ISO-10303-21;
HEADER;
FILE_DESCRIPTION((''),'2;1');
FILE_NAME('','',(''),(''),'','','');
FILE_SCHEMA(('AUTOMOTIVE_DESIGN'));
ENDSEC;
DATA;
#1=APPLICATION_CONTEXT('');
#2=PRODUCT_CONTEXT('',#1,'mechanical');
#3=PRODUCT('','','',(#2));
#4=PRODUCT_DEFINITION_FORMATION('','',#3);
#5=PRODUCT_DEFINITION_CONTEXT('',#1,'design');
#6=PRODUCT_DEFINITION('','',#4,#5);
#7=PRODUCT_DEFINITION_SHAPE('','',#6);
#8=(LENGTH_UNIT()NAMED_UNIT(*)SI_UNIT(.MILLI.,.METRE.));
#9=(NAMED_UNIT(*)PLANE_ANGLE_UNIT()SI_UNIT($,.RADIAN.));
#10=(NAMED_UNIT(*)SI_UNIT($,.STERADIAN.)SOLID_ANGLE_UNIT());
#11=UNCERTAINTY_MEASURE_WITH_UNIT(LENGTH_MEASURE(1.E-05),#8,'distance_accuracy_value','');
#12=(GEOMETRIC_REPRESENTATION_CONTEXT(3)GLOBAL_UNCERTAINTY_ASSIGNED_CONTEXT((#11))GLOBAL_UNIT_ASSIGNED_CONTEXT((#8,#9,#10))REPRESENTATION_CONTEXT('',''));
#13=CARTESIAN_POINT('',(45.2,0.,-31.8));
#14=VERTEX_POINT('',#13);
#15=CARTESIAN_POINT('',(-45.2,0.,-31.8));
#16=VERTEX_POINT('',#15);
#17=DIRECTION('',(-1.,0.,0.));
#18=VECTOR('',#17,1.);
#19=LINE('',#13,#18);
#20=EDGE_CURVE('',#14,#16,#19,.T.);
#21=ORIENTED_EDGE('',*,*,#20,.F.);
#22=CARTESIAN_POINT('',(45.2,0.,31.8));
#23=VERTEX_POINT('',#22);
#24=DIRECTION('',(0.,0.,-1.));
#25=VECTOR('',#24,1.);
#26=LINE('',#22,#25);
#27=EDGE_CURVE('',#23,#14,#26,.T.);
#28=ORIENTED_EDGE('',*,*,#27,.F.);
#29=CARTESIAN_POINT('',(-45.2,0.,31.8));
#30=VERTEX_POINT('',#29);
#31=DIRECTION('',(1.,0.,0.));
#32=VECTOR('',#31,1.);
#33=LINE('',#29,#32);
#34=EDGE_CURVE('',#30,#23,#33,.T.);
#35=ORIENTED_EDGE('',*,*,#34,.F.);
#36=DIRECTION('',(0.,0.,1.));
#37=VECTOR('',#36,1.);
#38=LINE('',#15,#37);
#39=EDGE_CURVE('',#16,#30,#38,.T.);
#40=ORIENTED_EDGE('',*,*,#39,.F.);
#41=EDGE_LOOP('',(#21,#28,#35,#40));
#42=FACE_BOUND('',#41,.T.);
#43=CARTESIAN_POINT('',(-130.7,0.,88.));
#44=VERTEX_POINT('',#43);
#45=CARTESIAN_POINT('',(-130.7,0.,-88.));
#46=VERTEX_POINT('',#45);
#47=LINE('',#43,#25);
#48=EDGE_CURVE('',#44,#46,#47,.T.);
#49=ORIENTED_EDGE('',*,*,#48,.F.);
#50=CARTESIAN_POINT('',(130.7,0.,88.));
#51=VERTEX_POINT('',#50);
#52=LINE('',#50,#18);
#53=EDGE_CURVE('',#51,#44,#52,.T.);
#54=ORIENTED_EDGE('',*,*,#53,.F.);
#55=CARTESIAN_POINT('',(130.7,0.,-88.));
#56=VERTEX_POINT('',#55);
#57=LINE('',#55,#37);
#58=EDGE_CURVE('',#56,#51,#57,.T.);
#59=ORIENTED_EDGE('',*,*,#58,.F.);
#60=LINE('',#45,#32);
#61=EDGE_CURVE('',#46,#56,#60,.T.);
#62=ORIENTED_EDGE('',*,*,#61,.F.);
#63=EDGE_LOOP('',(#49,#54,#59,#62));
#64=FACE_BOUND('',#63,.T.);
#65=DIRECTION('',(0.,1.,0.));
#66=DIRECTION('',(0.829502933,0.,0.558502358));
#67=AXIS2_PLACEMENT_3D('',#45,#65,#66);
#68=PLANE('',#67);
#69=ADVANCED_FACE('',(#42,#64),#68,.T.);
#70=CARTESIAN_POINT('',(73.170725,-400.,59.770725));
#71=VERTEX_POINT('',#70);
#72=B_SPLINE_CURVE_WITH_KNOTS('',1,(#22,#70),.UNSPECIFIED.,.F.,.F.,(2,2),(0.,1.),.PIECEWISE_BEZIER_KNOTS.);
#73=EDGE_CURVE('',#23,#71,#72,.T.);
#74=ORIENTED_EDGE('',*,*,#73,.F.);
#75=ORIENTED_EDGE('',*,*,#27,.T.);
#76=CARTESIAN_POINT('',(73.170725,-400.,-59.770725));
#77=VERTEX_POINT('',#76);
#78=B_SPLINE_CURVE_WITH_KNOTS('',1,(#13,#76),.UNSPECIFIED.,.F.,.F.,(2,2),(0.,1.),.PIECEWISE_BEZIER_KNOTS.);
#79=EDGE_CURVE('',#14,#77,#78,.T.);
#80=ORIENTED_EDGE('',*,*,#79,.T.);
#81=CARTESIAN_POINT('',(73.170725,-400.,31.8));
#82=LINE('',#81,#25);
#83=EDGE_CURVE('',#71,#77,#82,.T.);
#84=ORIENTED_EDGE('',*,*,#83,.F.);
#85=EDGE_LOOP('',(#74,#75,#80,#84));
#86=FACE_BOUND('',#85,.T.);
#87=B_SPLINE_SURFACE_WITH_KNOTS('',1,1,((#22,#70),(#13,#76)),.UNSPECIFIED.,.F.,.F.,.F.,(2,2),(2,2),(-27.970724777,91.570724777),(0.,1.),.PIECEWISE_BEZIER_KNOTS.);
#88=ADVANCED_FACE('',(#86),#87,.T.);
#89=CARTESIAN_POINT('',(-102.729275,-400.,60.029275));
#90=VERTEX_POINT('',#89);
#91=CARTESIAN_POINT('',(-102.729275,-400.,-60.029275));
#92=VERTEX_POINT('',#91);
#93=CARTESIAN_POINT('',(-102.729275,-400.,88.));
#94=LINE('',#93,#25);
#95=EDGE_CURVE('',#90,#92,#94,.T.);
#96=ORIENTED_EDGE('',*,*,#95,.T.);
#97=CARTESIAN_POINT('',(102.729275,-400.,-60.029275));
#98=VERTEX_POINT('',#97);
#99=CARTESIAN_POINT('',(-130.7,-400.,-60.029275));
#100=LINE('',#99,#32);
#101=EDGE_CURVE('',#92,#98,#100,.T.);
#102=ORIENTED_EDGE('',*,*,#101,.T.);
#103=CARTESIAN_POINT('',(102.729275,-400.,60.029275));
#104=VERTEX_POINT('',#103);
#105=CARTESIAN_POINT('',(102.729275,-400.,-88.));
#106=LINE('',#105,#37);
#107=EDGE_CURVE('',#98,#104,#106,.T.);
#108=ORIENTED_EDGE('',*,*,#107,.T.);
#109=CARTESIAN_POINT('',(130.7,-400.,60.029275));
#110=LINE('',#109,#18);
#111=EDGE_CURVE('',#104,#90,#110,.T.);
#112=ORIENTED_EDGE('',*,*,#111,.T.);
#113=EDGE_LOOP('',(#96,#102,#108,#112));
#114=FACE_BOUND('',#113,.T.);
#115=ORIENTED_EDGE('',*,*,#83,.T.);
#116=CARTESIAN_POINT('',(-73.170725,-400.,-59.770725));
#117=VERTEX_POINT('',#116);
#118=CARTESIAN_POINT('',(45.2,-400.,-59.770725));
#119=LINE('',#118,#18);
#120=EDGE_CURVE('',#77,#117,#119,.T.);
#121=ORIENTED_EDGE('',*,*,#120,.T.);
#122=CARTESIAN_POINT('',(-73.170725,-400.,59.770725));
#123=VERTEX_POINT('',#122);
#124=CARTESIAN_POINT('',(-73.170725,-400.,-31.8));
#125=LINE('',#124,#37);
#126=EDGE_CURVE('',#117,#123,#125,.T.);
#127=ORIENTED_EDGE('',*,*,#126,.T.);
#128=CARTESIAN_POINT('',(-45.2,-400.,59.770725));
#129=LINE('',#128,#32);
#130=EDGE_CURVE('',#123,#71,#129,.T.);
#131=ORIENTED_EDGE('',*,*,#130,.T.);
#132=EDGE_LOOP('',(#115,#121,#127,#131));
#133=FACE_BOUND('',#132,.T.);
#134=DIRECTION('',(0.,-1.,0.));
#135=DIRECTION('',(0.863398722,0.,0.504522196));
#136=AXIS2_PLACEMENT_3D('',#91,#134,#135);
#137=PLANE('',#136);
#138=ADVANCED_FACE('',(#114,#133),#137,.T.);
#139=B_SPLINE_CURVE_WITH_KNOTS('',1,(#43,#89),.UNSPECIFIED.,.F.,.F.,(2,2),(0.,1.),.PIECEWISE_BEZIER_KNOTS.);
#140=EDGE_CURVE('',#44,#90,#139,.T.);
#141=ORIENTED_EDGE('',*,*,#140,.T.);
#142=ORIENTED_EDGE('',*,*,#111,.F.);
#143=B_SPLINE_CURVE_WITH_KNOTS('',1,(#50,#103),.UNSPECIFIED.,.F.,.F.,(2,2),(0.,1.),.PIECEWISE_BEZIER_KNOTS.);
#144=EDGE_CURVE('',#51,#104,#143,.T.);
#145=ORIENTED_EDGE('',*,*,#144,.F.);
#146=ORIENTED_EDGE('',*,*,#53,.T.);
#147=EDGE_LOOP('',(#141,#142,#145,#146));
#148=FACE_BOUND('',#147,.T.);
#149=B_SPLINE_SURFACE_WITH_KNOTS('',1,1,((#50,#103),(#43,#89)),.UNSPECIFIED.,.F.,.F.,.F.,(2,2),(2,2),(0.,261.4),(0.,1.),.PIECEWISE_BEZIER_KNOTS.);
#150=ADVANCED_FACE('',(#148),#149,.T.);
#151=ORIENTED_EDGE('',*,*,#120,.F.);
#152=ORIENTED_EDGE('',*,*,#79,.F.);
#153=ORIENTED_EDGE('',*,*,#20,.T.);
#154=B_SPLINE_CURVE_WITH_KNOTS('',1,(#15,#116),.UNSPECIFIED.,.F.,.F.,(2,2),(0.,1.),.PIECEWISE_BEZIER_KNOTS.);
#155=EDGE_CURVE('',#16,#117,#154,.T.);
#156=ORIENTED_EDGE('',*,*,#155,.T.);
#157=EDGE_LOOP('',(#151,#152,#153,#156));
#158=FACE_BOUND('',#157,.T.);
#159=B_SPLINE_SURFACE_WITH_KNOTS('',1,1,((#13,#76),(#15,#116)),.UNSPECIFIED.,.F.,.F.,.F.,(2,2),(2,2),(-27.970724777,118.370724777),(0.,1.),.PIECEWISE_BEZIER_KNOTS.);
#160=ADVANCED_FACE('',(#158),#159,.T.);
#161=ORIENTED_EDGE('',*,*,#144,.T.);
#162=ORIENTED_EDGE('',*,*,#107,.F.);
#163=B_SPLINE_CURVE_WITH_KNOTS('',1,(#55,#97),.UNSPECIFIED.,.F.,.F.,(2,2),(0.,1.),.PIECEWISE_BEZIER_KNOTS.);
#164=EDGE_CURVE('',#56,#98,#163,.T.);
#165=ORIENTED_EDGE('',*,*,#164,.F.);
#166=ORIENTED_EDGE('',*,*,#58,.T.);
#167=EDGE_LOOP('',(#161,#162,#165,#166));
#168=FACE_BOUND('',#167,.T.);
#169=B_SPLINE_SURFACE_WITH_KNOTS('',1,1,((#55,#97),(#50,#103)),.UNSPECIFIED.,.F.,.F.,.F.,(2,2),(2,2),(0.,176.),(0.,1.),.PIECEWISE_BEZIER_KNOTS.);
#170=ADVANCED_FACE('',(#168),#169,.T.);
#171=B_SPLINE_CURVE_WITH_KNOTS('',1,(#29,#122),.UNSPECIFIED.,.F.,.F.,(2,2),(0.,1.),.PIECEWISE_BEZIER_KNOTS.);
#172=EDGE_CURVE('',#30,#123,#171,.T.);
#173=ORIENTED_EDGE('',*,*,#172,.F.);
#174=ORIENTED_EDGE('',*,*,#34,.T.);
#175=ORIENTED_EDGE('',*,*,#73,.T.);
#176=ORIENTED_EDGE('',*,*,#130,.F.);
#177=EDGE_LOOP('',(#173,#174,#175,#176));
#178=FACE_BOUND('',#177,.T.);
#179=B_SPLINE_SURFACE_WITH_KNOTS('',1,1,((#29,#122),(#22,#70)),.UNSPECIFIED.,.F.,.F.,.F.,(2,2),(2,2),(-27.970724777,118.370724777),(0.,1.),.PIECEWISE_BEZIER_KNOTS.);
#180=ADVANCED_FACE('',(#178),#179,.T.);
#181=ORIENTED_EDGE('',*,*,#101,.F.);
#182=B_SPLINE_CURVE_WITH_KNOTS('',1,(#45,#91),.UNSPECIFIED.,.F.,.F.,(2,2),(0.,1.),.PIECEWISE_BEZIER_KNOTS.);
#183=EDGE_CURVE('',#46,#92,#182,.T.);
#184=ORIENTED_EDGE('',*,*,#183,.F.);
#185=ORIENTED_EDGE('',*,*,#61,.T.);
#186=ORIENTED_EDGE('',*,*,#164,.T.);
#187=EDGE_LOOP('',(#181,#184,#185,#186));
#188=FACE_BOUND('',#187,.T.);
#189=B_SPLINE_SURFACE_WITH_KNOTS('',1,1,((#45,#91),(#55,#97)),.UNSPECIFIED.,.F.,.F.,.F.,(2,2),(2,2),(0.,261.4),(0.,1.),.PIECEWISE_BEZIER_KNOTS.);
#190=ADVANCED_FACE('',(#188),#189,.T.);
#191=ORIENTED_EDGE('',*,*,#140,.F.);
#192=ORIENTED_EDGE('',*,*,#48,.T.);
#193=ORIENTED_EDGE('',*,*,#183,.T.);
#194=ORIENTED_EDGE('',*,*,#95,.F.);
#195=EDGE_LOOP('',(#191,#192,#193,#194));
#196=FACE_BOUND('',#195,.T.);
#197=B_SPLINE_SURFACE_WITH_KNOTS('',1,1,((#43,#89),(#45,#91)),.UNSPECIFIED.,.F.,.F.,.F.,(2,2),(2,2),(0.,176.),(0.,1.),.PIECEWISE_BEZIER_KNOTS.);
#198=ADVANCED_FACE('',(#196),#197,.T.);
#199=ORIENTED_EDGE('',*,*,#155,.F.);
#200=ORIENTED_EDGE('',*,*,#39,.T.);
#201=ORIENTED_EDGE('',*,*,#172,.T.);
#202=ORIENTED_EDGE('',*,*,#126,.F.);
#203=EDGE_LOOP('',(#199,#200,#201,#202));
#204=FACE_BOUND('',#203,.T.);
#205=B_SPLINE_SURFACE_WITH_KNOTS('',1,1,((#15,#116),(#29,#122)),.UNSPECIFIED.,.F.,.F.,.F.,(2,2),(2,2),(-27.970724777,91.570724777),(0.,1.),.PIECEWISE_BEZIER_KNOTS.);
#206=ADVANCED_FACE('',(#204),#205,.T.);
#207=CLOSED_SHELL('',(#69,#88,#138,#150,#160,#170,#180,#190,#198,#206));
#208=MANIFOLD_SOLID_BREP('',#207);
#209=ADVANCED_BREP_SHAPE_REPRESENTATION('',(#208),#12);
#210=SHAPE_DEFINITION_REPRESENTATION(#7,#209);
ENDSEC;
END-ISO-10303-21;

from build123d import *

# Parameters (mm, degrees)
F2_DEPTH = 400
F2_TAPER = 4


with BuildPart() as f2:
    # F0 (on Front) → F2 (new body)
    with BuildSketch(Plane.XZ):
        Polygon((-130.7, 88), (-45.2, 31.8), (45.2, 31.8), (130.7, 88), align=None)
        Polygon((130.7, 88), (45.2, 31.8), (45.2, -31.8), (130.7, -88), align=None)
        Polygon((45.2, -31.8), (-45.2, -31.8), (-130.7, -88), (130.7, -88), align=None)
        Polygon((-45.2, -31.8), (-45.2, 31.8), (-130.7, 88), (-130.7, -88), align=None)
    extrude(amount=F2_DEPTH, taper=F2_TAPER)


solid = f2.part
